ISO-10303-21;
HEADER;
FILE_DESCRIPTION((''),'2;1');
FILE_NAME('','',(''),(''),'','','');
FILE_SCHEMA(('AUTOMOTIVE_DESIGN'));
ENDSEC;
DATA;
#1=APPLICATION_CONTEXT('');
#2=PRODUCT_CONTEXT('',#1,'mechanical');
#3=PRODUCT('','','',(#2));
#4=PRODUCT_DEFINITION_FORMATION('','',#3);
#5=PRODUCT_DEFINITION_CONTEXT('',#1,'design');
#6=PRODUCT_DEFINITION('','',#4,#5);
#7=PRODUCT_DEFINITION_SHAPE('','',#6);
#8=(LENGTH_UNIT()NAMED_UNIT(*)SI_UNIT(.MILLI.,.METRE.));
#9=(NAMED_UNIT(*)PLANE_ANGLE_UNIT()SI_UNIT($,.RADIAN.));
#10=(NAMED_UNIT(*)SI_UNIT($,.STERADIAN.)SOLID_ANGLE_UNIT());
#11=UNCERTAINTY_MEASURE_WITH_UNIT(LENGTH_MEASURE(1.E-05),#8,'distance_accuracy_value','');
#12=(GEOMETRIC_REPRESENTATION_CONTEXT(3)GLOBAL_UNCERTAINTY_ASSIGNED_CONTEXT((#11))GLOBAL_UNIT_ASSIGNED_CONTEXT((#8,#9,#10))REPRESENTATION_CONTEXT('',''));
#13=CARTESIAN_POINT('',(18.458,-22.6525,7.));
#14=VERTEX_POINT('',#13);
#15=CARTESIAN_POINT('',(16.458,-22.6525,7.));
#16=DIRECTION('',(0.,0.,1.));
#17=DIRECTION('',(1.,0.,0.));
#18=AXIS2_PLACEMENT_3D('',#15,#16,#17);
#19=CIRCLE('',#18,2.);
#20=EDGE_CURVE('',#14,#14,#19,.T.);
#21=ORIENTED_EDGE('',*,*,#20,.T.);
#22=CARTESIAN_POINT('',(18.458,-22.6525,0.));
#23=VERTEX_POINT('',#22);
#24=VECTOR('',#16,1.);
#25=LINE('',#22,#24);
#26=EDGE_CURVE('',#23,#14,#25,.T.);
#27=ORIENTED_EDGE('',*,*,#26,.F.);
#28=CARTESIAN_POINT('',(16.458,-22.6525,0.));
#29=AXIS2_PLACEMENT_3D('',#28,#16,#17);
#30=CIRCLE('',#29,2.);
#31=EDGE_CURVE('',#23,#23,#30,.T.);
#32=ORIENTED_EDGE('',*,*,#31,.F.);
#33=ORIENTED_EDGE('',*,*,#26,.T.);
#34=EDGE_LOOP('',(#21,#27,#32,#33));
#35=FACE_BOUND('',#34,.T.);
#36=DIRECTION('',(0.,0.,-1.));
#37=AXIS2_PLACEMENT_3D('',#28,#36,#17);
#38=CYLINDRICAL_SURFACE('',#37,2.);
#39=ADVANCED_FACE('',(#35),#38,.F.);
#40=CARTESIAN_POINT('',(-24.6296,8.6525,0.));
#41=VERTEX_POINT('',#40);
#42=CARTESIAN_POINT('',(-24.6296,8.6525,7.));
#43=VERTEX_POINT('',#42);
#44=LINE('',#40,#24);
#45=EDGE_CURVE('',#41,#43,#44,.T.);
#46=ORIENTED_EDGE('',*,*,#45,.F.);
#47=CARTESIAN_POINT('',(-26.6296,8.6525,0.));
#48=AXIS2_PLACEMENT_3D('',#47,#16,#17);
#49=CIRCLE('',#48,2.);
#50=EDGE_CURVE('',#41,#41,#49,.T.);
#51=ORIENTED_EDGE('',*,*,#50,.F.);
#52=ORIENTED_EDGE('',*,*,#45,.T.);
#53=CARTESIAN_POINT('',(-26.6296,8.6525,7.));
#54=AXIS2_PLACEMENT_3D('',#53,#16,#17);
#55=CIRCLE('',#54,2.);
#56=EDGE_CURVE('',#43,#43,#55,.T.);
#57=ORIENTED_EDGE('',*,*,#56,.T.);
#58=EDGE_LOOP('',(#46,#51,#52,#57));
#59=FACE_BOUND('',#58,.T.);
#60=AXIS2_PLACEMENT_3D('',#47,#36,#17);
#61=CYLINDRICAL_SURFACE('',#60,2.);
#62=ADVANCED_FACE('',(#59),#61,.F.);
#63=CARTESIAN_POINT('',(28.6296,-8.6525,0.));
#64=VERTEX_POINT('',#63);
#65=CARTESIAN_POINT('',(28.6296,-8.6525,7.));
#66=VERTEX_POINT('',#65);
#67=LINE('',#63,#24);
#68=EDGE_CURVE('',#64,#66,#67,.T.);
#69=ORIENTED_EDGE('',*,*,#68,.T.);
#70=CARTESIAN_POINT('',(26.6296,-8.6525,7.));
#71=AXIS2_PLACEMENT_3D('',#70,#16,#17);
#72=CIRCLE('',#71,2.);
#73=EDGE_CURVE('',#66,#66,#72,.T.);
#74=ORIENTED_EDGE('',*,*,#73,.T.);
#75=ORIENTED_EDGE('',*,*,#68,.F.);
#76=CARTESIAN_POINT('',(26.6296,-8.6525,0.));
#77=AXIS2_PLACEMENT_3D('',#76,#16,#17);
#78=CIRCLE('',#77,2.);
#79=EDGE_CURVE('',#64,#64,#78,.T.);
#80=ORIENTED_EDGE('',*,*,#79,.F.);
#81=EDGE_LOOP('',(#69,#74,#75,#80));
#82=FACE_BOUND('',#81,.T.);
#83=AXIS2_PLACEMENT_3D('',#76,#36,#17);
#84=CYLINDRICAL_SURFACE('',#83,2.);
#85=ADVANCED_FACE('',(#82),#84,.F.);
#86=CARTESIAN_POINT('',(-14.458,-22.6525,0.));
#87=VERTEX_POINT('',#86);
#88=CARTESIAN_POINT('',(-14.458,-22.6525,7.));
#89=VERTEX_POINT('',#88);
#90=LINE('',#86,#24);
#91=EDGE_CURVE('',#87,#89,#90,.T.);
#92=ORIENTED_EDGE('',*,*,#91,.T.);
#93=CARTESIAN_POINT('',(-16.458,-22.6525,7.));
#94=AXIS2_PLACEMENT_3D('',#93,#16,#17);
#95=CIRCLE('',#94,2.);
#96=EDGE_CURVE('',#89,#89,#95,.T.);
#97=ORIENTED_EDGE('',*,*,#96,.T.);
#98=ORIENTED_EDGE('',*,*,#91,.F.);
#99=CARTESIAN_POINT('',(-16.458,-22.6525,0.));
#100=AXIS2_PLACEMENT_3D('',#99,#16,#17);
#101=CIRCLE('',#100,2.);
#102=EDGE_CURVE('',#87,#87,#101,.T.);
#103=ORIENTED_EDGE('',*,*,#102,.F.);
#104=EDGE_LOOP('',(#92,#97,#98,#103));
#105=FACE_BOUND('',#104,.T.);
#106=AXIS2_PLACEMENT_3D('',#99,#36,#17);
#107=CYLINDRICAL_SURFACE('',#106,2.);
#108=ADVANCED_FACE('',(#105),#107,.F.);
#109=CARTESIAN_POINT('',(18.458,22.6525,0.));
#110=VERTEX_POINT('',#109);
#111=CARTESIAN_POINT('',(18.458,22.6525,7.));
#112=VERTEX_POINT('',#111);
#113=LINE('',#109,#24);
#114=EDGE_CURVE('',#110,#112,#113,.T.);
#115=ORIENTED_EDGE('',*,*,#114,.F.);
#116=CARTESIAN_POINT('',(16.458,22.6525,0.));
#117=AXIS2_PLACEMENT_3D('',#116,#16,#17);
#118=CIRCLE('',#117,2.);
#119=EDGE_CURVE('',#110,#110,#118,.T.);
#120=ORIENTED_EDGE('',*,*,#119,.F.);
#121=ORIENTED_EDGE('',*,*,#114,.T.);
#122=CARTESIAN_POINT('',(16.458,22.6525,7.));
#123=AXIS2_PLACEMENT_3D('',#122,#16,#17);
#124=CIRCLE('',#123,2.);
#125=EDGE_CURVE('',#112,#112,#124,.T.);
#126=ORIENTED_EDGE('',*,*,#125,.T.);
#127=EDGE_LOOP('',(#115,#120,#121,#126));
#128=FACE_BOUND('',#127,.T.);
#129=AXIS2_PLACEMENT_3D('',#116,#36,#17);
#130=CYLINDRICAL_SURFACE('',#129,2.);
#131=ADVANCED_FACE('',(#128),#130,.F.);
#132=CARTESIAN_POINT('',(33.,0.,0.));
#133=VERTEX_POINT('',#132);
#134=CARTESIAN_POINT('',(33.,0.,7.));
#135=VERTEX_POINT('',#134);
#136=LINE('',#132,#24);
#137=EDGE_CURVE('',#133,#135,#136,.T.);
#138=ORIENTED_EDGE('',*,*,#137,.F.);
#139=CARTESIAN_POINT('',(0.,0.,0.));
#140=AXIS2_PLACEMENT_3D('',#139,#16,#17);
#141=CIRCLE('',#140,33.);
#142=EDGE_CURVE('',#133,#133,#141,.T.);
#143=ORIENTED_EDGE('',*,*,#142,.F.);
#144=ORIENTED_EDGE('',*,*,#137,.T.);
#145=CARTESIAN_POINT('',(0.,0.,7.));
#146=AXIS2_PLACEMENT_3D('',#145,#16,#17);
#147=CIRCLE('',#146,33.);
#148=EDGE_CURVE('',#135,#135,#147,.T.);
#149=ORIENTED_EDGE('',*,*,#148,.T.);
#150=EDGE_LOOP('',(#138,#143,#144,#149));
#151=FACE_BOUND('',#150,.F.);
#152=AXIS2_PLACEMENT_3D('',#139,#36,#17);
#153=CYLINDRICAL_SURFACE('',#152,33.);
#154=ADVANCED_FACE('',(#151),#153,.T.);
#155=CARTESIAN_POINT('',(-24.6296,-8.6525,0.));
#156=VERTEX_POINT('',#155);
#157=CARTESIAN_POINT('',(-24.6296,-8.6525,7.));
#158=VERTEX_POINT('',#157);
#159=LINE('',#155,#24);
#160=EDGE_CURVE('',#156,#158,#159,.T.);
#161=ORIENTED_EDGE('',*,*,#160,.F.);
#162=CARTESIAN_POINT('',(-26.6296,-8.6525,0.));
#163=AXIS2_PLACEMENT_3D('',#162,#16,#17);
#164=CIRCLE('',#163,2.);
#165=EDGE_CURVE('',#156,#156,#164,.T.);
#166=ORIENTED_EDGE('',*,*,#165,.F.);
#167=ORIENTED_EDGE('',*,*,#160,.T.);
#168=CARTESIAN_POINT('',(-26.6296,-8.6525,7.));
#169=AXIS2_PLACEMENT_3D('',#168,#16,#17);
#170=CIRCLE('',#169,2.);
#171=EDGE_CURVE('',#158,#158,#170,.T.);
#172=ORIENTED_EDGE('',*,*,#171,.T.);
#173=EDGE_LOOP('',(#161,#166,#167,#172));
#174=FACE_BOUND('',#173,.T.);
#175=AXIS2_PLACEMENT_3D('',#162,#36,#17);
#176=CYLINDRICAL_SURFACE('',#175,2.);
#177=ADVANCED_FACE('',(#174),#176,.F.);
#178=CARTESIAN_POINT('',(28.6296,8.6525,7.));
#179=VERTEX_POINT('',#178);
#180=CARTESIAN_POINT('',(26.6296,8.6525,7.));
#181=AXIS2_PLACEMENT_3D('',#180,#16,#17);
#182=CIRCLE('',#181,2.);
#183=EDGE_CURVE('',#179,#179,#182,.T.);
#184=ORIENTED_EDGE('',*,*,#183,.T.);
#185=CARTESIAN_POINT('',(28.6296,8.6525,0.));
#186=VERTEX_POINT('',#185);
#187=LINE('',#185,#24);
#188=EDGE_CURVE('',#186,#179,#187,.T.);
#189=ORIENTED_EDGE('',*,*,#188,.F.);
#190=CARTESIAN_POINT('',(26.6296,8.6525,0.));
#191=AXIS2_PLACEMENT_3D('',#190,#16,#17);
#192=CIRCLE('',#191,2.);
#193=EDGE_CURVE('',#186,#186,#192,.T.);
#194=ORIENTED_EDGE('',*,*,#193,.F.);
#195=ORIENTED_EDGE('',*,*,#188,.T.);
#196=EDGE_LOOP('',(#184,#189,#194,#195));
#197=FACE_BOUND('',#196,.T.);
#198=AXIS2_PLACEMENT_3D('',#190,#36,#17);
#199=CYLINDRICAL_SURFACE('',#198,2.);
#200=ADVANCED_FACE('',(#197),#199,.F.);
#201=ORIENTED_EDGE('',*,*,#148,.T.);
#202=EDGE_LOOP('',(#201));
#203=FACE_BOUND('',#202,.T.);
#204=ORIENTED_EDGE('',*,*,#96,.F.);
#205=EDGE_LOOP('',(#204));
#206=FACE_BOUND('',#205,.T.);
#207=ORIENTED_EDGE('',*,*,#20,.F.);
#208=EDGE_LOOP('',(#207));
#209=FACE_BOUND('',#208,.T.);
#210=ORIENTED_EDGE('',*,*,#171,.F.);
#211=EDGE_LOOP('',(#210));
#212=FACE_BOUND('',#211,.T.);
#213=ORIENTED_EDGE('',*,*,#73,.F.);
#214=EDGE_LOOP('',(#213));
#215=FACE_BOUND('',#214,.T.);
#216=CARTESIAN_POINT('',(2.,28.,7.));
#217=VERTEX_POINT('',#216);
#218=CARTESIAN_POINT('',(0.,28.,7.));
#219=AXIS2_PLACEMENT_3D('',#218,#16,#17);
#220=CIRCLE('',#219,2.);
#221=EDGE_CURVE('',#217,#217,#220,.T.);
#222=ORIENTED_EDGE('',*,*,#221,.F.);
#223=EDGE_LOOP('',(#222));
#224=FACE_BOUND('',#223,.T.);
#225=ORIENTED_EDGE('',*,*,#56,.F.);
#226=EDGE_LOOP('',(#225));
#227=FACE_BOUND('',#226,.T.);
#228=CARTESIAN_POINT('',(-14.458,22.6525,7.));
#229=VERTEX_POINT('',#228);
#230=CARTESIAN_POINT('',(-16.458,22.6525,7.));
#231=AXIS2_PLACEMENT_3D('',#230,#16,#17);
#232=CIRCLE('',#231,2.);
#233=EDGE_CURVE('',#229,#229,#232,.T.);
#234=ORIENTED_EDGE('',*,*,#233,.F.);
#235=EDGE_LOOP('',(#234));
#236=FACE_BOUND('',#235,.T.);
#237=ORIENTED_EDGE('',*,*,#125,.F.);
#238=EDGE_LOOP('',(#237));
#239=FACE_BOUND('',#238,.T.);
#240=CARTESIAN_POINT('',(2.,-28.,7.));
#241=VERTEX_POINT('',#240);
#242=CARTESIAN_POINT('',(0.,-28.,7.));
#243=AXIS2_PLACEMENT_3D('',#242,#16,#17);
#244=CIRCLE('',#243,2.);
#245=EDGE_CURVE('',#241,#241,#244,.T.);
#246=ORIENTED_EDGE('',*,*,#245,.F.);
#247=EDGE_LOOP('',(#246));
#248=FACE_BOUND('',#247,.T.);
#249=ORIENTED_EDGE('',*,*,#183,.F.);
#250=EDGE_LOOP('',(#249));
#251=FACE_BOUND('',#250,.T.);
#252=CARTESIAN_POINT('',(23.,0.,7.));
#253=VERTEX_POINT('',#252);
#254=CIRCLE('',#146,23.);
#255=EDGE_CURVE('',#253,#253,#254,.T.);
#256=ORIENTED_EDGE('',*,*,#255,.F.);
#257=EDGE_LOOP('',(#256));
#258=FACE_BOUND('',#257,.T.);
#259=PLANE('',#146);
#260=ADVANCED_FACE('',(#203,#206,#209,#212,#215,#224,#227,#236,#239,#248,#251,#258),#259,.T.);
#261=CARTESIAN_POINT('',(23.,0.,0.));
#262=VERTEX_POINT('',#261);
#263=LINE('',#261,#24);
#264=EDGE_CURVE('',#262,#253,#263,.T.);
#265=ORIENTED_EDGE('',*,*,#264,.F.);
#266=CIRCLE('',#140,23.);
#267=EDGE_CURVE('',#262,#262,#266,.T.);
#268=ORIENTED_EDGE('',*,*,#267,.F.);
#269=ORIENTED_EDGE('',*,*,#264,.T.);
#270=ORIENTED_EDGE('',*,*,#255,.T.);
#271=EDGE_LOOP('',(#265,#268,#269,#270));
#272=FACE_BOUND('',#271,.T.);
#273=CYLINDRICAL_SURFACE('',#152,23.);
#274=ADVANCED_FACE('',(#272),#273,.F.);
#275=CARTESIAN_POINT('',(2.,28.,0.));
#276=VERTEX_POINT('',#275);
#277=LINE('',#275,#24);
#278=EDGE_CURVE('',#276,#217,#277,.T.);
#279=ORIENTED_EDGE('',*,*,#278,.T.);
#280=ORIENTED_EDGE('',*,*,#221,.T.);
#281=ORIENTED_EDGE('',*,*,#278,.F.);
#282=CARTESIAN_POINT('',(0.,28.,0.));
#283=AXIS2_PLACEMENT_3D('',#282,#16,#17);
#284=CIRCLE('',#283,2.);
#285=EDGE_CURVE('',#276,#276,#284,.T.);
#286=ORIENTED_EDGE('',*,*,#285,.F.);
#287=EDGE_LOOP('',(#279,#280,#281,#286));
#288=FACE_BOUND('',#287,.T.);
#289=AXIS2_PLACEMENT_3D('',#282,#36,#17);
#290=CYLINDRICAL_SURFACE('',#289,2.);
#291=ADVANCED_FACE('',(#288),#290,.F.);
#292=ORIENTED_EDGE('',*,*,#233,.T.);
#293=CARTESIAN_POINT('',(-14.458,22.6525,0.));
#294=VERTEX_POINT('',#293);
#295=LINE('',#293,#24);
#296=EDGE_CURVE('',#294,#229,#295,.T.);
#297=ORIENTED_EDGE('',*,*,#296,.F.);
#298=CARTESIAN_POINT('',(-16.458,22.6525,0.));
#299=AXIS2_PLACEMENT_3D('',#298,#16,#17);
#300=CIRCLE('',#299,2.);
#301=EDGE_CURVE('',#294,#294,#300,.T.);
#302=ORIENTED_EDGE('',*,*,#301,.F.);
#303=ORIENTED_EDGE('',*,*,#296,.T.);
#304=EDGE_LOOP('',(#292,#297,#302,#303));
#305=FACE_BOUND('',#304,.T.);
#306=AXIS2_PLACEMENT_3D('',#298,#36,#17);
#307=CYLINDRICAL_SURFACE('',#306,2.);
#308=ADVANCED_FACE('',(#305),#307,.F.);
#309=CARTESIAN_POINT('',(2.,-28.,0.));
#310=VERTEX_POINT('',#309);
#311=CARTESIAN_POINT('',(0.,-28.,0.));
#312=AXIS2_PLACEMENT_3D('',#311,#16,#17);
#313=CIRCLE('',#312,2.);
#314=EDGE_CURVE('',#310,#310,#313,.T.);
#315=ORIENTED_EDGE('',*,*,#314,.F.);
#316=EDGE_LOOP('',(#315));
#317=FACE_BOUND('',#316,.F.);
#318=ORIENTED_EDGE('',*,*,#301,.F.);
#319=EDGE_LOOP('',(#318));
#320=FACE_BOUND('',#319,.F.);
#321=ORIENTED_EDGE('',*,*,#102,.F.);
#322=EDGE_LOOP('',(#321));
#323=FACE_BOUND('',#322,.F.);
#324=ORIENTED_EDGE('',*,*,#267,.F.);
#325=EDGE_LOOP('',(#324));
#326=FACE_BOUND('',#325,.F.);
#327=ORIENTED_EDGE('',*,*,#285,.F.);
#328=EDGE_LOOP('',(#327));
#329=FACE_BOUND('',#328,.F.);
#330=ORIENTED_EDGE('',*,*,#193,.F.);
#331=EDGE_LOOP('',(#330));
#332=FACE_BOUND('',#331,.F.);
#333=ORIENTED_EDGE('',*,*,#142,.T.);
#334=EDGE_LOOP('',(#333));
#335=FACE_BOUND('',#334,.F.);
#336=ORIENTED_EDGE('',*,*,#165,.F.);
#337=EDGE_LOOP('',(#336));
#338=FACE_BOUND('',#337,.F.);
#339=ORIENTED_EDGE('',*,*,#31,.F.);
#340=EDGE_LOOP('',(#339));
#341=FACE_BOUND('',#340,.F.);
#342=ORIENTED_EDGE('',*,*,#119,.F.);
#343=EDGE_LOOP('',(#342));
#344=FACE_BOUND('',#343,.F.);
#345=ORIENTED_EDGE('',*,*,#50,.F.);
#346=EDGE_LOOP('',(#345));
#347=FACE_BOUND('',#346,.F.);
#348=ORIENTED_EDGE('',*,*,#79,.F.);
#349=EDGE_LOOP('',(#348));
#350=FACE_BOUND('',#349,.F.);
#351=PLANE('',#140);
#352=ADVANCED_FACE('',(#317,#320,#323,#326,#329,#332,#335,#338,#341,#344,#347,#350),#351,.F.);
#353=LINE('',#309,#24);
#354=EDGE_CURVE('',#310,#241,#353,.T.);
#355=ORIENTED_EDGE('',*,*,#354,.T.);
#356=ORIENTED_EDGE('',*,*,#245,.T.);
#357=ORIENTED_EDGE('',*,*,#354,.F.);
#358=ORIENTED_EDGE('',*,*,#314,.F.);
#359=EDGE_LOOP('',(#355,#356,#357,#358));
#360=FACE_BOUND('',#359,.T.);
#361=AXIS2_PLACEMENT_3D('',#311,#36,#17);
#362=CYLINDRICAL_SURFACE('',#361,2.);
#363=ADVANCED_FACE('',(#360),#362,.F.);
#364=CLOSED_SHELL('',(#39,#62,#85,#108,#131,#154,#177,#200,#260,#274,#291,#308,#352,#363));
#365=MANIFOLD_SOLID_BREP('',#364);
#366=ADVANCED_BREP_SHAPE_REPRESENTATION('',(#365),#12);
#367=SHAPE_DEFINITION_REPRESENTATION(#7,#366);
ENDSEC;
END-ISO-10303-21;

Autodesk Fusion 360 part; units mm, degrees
sketch "Sketch1" plane through (0, 0, 0) normal (0, 0, 1) x (1, 0, 0)
  circle A0 centre (0, 0) radius 28 construction
  circle A1 centre (0, -28) radius 2
  circle A2 centre (16.458, -22.6525) radius 2
  circle A3 centre (26.6296, -8.6525) radius 2
  circle A4 centre (26.6296, 8.6525) radius 2
  circle A5 centre (16.458, 22.6525) radius 2
  circle A6 centre (0, 28) radius 2
  circle A7 centre (-16.458, 22.6525) radius 2
  circle A8 centre (-26.6296, 8.6525) radius 2
  circle A9 centre (-26.6296, -8.6525) radius 2
  circle A10 centre (-16.458, -22.6525) radius 2
  circle A11 centre (0, 0) radius 33
  circle A12 centre (0, 0) radius 23
  dimension "d1" = 56
  dimension "d2" = 4
  dimension "d4" = 360
  dimension "d5" = 66
  dimension "d6" = 46
extrude "Extrude1" add sketch "Sketch1" along normal blind 7
equation "d5 = d1 + 10 mm"
equation "d6 = d1 - 10 mm"
